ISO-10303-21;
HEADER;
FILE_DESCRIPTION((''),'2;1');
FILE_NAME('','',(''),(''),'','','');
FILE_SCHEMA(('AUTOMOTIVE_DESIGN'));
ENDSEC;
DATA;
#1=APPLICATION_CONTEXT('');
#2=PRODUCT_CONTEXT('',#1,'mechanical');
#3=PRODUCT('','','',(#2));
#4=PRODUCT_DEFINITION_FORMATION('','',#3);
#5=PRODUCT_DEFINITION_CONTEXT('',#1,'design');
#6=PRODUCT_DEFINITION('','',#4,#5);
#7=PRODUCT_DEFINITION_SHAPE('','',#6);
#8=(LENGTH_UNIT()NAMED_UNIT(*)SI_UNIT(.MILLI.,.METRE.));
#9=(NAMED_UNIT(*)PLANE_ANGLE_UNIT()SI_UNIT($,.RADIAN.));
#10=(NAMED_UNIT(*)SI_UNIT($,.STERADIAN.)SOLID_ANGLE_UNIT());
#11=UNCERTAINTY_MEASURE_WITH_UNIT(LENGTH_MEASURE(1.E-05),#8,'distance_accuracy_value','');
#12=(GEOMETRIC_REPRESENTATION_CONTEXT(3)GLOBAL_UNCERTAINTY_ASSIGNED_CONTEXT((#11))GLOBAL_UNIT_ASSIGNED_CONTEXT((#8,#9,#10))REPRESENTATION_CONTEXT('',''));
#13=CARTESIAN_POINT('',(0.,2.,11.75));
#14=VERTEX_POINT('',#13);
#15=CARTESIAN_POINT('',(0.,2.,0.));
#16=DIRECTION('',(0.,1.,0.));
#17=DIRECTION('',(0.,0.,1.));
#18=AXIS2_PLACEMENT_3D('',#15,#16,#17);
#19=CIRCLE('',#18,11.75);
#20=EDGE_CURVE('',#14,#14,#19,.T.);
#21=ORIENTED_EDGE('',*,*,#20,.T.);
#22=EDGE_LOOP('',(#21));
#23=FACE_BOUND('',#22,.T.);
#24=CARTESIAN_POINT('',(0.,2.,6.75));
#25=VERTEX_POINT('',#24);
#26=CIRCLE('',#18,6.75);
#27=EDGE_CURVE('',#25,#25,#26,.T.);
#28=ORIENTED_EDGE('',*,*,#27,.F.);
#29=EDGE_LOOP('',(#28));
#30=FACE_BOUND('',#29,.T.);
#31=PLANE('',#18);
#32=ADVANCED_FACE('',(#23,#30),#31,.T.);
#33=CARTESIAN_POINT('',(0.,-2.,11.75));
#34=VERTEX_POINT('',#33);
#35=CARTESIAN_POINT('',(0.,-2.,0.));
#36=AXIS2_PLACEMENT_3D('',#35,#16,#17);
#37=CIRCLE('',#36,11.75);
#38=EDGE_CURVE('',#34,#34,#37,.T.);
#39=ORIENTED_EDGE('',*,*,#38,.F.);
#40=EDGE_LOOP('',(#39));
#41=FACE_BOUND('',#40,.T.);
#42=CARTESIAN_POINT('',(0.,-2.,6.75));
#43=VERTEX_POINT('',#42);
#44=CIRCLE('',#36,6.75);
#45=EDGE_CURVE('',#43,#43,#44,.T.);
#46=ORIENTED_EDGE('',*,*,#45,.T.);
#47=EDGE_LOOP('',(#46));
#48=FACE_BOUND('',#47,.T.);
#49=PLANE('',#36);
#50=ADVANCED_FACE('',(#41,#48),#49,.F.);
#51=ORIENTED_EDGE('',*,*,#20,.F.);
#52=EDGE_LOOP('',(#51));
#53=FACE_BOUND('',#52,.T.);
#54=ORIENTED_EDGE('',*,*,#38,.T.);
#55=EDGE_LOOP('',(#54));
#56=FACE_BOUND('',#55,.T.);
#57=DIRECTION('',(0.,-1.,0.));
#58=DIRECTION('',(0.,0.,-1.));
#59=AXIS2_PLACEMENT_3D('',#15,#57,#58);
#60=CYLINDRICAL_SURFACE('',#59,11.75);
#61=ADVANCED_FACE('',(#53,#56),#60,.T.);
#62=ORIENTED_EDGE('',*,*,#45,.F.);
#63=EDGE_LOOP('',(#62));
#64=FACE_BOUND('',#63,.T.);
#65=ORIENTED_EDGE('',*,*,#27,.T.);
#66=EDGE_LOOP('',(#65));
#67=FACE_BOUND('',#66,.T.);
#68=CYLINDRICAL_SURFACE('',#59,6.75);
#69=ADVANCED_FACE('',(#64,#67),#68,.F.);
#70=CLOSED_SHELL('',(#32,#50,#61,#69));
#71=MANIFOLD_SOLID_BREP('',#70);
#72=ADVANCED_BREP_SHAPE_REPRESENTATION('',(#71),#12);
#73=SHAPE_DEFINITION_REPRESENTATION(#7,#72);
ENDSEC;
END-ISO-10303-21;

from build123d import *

# Parameters (mm, degrees)
SKETCH_1_R      = 11.75
SKETCH_1_R_2    = 6.75
EXTRUDE_1_DEPTH = 2


with BuildPart() as part:
    # 草图1 → 凸台-拉伸1 (new, symmetric)
    with BuildSketch(Plane(origin=(0, 0, 0), x_dir=(1, 0, 0), z_dir=(0, 1, 0))):
        with Locations(Location((0, 0, 0), (0, 0, 270))):
            Circle(SKETCH_1_R)
        with Locations(Location((0, 0, 0), (0, 0, 270))):
            Circle(SKETCH_1_R_2, mode=Mode.SUBTRACT)
    extrude(amount=EXTRUDE_1_DEPTH, both=True)


solid = part.part
